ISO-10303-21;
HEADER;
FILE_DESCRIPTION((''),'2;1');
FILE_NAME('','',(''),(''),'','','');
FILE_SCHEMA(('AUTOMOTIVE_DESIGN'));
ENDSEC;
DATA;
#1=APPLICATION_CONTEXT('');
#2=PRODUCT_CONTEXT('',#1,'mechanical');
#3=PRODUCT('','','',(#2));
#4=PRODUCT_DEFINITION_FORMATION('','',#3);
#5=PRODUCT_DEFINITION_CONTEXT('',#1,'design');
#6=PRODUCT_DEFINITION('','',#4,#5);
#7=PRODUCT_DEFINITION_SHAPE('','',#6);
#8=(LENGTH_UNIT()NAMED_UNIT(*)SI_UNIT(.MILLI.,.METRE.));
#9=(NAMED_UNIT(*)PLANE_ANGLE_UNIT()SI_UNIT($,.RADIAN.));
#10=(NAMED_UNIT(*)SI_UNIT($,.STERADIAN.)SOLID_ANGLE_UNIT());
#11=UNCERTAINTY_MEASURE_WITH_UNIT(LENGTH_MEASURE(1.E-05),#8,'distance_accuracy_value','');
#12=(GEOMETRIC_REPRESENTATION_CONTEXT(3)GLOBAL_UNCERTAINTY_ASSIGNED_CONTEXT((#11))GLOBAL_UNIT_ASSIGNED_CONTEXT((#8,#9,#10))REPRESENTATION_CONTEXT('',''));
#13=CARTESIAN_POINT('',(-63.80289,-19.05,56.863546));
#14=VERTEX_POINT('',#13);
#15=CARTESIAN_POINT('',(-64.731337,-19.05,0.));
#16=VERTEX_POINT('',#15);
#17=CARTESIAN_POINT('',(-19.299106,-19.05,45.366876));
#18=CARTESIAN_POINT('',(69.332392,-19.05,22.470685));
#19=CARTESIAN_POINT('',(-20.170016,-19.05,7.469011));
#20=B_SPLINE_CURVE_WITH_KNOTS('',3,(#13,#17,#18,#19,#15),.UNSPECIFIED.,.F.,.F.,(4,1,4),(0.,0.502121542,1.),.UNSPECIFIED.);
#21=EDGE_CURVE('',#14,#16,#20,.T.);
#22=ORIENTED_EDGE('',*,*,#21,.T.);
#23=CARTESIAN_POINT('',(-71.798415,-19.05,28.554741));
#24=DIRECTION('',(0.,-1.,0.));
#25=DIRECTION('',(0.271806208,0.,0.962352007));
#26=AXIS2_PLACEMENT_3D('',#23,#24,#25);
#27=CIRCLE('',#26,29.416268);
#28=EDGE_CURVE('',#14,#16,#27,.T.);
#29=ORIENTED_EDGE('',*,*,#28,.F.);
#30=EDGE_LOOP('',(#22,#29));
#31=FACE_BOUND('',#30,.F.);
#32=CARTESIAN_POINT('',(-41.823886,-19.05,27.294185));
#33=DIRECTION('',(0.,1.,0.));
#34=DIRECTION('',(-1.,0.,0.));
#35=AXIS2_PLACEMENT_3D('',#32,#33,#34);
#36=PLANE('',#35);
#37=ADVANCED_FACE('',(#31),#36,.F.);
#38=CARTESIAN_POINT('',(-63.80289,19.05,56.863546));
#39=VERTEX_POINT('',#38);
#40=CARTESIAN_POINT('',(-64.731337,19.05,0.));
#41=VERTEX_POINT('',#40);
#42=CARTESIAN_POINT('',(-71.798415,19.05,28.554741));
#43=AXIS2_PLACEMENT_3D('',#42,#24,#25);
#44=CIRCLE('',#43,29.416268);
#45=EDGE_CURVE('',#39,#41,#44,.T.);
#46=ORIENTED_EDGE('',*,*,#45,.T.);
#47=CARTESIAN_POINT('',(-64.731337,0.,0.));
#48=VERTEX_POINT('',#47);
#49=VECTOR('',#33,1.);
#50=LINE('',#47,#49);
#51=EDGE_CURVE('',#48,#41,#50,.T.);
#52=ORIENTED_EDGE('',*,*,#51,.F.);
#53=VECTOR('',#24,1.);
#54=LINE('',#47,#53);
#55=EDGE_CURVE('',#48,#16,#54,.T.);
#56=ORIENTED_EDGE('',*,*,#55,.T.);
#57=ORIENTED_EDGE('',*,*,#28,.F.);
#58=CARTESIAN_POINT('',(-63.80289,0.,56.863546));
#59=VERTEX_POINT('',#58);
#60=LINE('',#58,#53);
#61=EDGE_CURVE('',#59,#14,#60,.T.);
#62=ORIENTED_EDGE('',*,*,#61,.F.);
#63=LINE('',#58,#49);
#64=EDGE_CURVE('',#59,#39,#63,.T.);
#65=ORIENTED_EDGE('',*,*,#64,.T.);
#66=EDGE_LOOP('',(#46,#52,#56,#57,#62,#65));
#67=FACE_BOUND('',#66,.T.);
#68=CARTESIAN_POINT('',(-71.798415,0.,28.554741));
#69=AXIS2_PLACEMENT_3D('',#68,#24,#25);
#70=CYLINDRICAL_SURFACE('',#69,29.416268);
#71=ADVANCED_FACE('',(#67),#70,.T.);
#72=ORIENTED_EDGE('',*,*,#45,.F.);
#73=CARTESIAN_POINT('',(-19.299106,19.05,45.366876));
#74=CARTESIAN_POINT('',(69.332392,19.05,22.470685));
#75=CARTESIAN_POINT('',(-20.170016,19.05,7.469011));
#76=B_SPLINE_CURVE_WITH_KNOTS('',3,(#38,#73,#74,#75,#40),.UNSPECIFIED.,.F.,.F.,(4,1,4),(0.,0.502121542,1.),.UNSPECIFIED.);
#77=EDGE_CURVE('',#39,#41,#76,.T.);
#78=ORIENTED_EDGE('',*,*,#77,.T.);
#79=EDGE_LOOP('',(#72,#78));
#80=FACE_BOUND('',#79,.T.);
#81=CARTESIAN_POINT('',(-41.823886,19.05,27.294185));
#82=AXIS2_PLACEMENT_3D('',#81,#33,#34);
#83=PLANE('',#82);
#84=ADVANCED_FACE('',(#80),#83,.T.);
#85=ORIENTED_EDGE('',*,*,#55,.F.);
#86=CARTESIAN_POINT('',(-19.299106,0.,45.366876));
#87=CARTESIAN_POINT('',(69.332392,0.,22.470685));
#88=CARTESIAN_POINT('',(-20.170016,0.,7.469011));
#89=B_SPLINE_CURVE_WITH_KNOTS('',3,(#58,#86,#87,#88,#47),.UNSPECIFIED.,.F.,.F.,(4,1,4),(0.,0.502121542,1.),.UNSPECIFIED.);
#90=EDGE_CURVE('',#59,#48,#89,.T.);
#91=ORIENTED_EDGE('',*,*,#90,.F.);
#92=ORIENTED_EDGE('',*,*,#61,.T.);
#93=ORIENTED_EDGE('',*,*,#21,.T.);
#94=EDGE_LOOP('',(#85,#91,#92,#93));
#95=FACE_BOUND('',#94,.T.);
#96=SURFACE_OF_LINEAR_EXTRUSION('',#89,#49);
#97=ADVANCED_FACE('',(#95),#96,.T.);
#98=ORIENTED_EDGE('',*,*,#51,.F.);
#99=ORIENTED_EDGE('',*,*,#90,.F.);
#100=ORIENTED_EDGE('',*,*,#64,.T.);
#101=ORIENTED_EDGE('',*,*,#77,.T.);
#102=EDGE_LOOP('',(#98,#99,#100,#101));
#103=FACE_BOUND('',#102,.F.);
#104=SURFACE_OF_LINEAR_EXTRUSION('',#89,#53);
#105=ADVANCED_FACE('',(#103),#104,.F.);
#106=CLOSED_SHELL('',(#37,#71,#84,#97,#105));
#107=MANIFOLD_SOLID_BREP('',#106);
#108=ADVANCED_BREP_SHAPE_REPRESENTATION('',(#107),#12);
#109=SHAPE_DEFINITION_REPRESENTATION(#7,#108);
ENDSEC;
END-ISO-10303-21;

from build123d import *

# Parameters (mm, degrees)
F1_DEPTH = 19.05


with BuildPart() as f1:
    # F0 (on Front) → F1 (new body, symmetric)
    with BuildSketch(Plane.XZ):
        with BuildLine():
            add(Edge.make_bspline(
                [(-63.8028904796, 56.8635463715), (-19.2991059975, 45.3668759264), (69.3323921462, 22.4706854771), (-20.1700160927, 7.4690107077), (-64.7313371301, 0)],
                knots=[0, 0, 0, 0, 0.5021215416, 1, 1, 1, 1], degree=3))
            ThreePointArc((-63.8028904796, 56.8635463715), (-101.2107629612, 29.0349752283), (-64.7313371301, 0))
        make_face()
    extrude(amount=F1_DEPTH, both=True)


solid = f1.part
